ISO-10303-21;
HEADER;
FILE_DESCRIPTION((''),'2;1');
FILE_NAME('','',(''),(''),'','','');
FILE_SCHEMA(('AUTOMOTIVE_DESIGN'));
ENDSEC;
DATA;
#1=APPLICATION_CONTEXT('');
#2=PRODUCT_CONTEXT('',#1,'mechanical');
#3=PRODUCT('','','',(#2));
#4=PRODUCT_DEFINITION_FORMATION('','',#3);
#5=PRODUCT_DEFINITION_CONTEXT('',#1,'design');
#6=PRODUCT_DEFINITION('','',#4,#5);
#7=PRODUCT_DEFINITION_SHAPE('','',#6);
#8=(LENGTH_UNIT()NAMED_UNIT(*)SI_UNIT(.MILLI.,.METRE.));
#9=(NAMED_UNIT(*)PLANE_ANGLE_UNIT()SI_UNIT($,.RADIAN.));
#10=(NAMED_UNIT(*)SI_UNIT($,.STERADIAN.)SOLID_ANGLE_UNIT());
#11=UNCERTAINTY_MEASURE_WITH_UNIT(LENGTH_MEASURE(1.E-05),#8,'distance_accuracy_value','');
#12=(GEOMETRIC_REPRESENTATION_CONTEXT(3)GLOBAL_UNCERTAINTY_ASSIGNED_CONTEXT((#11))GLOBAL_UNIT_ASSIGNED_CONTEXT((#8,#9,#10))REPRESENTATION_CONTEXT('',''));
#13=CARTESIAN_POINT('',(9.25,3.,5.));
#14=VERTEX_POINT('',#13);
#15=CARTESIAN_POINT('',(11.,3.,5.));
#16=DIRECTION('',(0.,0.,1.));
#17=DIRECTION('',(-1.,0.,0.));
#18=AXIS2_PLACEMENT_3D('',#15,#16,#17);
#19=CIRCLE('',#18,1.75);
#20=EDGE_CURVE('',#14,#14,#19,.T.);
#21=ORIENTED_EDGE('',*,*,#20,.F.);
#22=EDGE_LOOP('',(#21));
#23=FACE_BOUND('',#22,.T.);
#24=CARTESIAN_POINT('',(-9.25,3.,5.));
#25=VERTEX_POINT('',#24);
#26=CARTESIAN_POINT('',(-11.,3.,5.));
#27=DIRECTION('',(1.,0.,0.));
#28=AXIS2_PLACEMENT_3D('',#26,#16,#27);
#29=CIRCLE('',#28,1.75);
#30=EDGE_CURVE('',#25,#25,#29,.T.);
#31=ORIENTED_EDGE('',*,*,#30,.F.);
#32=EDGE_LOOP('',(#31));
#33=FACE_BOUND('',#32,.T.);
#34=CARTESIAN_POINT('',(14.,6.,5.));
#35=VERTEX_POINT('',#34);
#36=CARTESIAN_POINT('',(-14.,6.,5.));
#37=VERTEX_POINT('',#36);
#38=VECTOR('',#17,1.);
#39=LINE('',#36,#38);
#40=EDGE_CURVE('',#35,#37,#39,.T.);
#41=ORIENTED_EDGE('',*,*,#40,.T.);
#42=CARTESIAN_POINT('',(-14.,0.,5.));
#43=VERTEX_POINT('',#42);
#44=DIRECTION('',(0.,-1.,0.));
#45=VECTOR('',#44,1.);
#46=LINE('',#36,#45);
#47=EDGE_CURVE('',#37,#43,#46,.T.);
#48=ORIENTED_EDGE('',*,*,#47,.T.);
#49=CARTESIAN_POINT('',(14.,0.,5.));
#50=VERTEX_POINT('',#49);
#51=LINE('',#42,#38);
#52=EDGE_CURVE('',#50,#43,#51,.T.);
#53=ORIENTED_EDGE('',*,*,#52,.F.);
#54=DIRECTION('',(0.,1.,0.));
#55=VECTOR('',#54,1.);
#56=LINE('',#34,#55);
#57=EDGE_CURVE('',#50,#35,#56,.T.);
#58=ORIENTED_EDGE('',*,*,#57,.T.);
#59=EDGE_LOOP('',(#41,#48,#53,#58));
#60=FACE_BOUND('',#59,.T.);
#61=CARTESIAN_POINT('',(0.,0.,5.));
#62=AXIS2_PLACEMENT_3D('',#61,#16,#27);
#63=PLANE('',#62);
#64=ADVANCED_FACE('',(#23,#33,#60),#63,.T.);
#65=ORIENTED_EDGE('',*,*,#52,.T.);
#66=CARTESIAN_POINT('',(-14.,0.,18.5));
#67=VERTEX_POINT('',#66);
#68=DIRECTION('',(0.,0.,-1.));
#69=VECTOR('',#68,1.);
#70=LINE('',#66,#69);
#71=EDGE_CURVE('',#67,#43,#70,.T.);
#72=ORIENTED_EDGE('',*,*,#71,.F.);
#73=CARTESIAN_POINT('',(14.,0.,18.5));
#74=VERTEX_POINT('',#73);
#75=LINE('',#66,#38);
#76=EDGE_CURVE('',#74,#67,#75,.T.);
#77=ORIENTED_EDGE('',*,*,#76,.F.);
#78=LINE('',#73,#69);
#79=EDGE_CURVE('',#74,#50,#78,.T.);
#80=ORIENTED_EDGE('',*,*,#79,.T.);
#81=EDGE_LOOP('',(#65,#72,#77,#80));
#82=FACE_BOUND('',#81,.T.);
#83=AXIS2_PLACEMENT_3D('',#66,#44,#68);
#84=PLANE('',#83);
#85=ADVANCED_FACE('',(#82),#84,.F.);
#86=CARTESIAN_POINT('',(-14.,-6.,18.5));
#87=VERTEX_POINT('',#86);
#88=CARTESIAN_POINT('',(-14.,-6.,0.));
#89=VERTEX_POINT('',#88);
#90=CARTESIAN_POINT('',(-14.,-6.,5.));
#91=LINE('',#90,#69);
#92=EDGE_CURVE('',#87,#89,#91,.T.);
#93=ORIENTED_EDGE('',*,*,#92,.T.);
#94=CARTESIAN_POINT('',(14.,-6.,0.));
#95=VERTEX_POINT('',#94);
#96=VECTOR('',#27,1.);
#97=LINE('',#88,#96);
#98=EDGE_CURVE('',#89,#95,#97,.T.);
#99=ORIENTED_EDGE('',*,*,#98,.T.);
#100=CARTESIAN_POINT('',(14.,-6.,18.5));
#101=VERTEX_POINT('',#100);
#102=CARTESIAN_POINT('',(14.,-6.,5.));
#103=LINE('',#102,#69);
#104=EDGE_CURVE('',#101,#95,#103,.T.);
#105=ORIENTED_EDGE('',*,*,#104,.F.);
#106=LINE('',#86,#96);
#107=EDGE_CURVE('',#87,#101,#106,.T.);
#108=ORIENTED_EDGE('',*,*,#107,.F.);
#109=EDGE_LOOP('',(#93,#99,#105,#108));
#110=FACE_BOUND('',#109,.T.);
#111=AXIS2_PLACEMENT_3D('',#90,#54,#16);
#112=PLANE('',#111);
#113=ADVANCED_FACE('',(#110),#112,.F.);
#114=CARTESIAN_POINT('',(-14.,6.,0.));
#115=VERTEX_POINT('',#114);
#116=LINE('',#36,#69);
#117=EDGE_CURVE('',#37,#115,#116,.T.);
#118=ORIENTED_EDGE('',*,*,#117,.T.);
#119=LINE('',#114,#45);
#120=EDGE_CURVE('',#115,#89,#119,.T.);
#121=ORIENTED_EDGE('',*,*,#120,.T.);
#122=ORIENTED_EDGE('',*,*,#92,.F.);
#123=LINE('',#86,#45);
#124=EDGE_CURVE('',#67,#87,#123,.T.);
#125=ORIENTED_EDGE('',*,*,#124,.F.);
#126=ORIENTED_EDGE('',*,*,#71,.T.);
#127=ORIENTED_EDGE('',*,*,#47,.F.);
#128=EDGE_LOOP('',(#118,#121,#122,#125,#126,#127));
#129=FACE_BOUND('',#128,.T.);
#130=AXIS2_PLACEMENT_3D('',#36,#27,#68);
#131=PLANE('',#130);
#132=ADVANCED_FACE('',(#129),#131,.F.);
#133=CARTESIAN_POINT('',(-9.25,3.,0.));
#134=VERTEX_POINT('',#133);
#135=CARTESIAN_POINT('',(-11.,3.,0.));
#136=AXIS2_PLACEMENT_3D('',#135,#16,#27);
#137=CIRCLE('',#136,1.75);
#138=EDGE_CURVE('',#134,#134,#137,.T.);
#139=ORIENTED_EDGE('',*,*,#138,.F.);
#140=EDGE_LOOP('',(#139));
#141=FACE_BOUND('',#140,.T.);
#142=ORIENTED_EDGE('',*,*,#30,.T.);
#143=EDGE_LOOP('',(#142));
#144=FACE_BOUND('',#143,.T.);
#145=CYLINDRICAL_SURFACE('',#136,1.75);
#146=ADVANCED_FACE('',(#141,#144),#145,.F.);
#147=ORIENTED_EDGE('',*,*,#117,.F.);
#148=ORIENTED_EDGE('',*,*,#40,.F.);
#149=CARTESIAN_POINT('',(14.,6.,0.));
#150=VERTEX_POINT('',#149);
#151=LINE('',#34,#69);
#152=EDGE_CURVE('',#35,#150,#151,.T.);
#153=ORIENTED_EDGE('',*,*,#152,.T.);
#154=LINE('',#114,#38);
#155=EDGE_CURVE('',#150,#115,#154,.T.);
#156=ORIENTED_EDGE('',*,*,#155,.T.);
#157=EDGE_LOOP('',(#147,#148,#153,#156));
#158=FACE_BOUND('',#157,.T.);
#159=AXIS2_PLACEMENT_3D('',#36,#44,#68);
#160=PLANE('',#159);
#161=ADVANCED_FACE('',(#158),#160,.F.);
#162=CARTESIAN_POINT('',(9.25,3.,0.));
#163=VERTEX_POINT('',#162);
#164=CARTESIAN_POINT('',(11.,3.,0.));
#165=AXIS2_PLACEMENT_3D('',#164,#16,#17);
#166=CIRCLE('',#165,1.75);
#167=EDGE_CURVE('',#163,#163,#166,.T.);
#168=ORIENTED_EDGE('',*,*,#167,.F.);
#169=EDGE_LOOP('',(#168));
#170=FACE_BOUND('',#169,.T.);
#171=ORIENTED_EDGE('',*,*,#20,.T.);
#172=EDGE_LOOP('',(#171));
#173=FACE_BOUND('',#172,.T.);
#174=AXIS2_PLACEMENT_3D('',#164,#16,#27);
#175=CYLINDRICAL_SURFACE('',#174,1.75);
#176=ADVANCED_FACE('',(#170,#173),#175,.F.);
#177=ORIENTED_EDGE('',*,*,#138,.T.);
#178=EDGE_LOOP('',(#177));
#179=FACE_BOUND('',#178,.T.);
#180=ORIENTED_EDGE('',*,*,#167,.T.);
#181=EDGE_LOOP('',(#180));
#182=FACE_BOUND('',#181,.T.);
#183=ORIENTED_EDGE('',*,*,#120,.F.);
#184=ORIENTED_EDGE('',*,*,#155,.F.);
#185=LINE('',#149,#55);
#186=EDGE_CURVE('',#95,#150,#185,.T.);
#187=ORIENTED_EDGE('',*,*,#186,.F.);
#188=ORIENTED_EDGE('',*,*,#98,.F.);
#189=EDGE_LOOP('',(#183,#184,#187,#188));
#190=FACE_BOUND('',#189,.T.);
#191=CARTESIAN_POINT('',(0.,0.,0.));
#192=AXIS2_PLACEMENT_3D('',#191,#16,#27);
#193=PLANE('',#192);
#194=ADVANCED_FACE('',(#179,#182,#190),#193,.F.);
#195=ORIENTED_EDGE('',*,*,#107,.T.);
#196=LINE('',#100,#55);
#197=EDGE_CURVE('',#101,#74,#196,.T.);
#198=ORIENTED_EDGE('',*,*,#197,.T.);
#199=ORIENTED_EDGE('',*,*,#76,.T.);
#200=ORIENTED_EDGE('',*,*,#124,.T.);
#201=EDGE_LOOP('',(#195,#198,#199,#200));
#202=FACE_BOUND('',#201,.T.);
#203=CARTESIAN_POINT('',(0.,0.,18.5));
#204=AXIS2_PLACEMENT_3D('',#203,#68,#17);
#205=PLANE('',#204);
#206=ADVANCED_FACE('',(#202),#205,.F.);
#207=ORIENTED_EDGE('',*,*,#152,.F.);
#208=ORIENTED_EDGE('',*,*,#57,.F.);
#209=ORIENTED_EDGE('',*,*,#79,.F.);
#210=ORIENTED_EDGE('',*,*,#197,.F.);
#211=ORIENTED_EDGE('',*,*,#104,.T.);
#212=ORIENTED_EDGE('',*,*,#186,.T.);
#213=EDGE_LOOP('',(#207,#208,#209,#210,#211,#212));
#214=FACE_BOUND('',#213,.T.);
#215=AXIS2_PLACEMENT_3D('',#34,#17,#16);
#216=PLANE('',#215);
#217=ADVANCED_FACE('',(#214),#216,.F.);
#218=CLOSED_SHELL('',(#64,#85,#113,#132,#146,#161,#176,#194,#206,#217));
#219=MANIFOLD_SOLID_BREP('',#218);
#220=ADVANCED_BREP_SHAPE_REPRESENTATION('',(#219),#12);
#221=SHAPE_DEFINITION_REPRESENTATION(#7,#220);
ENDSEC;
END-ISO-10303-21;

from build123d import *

# Parameters (mm, degrees)
SKETCH1_W           = 28
SKETCH1_H           = 12
BOSS_EXTRUDE1_DEPTH = 5
SKETCH2_W           = 28
SKETCH2_H           = 6
BOSS_EXTRUDE2_DEPTH = 13.5
SKETCH3_R           = 1.75
CUT_EXTRUDE1_DEPTH  = 21.353132437


with BuildPart() as part:
    # Sketch1 → Boss-Extrude1 (new body)
    with BuildSketch(Plane.XY):
        Rectangle(SKETCH1_W, SKETCH1_H)
    extrude(amount=BOSS_EXTRUDE1_DEPTH)

    # Sketch2 → Boss-Extrude2 (add)
    with BuildSketch(Plane.XY.offset(5)):
        with Locations((0, -3)):
            Rectangle(SKETCH2_W, SKETCH2_H)
    extrude(amount=BOSS_EXTRUDE2_DEPTH)

    # Sketch3 → Cut-Extrude1 (cut, through all)
    with BuildSketch(Plane.XY.offset(5)):
        with Locations((-11, 3)):
            Circle(SKETCH3_R)
        with Locations(Location((11, 3, 0), (0, 0, 180))):
            Circle(SKETCH3_R)
    extrude(amount=-CUT_EXTRUDE1_DEPTH, mode=Mode.SUBTRACT)


solid = part.part
